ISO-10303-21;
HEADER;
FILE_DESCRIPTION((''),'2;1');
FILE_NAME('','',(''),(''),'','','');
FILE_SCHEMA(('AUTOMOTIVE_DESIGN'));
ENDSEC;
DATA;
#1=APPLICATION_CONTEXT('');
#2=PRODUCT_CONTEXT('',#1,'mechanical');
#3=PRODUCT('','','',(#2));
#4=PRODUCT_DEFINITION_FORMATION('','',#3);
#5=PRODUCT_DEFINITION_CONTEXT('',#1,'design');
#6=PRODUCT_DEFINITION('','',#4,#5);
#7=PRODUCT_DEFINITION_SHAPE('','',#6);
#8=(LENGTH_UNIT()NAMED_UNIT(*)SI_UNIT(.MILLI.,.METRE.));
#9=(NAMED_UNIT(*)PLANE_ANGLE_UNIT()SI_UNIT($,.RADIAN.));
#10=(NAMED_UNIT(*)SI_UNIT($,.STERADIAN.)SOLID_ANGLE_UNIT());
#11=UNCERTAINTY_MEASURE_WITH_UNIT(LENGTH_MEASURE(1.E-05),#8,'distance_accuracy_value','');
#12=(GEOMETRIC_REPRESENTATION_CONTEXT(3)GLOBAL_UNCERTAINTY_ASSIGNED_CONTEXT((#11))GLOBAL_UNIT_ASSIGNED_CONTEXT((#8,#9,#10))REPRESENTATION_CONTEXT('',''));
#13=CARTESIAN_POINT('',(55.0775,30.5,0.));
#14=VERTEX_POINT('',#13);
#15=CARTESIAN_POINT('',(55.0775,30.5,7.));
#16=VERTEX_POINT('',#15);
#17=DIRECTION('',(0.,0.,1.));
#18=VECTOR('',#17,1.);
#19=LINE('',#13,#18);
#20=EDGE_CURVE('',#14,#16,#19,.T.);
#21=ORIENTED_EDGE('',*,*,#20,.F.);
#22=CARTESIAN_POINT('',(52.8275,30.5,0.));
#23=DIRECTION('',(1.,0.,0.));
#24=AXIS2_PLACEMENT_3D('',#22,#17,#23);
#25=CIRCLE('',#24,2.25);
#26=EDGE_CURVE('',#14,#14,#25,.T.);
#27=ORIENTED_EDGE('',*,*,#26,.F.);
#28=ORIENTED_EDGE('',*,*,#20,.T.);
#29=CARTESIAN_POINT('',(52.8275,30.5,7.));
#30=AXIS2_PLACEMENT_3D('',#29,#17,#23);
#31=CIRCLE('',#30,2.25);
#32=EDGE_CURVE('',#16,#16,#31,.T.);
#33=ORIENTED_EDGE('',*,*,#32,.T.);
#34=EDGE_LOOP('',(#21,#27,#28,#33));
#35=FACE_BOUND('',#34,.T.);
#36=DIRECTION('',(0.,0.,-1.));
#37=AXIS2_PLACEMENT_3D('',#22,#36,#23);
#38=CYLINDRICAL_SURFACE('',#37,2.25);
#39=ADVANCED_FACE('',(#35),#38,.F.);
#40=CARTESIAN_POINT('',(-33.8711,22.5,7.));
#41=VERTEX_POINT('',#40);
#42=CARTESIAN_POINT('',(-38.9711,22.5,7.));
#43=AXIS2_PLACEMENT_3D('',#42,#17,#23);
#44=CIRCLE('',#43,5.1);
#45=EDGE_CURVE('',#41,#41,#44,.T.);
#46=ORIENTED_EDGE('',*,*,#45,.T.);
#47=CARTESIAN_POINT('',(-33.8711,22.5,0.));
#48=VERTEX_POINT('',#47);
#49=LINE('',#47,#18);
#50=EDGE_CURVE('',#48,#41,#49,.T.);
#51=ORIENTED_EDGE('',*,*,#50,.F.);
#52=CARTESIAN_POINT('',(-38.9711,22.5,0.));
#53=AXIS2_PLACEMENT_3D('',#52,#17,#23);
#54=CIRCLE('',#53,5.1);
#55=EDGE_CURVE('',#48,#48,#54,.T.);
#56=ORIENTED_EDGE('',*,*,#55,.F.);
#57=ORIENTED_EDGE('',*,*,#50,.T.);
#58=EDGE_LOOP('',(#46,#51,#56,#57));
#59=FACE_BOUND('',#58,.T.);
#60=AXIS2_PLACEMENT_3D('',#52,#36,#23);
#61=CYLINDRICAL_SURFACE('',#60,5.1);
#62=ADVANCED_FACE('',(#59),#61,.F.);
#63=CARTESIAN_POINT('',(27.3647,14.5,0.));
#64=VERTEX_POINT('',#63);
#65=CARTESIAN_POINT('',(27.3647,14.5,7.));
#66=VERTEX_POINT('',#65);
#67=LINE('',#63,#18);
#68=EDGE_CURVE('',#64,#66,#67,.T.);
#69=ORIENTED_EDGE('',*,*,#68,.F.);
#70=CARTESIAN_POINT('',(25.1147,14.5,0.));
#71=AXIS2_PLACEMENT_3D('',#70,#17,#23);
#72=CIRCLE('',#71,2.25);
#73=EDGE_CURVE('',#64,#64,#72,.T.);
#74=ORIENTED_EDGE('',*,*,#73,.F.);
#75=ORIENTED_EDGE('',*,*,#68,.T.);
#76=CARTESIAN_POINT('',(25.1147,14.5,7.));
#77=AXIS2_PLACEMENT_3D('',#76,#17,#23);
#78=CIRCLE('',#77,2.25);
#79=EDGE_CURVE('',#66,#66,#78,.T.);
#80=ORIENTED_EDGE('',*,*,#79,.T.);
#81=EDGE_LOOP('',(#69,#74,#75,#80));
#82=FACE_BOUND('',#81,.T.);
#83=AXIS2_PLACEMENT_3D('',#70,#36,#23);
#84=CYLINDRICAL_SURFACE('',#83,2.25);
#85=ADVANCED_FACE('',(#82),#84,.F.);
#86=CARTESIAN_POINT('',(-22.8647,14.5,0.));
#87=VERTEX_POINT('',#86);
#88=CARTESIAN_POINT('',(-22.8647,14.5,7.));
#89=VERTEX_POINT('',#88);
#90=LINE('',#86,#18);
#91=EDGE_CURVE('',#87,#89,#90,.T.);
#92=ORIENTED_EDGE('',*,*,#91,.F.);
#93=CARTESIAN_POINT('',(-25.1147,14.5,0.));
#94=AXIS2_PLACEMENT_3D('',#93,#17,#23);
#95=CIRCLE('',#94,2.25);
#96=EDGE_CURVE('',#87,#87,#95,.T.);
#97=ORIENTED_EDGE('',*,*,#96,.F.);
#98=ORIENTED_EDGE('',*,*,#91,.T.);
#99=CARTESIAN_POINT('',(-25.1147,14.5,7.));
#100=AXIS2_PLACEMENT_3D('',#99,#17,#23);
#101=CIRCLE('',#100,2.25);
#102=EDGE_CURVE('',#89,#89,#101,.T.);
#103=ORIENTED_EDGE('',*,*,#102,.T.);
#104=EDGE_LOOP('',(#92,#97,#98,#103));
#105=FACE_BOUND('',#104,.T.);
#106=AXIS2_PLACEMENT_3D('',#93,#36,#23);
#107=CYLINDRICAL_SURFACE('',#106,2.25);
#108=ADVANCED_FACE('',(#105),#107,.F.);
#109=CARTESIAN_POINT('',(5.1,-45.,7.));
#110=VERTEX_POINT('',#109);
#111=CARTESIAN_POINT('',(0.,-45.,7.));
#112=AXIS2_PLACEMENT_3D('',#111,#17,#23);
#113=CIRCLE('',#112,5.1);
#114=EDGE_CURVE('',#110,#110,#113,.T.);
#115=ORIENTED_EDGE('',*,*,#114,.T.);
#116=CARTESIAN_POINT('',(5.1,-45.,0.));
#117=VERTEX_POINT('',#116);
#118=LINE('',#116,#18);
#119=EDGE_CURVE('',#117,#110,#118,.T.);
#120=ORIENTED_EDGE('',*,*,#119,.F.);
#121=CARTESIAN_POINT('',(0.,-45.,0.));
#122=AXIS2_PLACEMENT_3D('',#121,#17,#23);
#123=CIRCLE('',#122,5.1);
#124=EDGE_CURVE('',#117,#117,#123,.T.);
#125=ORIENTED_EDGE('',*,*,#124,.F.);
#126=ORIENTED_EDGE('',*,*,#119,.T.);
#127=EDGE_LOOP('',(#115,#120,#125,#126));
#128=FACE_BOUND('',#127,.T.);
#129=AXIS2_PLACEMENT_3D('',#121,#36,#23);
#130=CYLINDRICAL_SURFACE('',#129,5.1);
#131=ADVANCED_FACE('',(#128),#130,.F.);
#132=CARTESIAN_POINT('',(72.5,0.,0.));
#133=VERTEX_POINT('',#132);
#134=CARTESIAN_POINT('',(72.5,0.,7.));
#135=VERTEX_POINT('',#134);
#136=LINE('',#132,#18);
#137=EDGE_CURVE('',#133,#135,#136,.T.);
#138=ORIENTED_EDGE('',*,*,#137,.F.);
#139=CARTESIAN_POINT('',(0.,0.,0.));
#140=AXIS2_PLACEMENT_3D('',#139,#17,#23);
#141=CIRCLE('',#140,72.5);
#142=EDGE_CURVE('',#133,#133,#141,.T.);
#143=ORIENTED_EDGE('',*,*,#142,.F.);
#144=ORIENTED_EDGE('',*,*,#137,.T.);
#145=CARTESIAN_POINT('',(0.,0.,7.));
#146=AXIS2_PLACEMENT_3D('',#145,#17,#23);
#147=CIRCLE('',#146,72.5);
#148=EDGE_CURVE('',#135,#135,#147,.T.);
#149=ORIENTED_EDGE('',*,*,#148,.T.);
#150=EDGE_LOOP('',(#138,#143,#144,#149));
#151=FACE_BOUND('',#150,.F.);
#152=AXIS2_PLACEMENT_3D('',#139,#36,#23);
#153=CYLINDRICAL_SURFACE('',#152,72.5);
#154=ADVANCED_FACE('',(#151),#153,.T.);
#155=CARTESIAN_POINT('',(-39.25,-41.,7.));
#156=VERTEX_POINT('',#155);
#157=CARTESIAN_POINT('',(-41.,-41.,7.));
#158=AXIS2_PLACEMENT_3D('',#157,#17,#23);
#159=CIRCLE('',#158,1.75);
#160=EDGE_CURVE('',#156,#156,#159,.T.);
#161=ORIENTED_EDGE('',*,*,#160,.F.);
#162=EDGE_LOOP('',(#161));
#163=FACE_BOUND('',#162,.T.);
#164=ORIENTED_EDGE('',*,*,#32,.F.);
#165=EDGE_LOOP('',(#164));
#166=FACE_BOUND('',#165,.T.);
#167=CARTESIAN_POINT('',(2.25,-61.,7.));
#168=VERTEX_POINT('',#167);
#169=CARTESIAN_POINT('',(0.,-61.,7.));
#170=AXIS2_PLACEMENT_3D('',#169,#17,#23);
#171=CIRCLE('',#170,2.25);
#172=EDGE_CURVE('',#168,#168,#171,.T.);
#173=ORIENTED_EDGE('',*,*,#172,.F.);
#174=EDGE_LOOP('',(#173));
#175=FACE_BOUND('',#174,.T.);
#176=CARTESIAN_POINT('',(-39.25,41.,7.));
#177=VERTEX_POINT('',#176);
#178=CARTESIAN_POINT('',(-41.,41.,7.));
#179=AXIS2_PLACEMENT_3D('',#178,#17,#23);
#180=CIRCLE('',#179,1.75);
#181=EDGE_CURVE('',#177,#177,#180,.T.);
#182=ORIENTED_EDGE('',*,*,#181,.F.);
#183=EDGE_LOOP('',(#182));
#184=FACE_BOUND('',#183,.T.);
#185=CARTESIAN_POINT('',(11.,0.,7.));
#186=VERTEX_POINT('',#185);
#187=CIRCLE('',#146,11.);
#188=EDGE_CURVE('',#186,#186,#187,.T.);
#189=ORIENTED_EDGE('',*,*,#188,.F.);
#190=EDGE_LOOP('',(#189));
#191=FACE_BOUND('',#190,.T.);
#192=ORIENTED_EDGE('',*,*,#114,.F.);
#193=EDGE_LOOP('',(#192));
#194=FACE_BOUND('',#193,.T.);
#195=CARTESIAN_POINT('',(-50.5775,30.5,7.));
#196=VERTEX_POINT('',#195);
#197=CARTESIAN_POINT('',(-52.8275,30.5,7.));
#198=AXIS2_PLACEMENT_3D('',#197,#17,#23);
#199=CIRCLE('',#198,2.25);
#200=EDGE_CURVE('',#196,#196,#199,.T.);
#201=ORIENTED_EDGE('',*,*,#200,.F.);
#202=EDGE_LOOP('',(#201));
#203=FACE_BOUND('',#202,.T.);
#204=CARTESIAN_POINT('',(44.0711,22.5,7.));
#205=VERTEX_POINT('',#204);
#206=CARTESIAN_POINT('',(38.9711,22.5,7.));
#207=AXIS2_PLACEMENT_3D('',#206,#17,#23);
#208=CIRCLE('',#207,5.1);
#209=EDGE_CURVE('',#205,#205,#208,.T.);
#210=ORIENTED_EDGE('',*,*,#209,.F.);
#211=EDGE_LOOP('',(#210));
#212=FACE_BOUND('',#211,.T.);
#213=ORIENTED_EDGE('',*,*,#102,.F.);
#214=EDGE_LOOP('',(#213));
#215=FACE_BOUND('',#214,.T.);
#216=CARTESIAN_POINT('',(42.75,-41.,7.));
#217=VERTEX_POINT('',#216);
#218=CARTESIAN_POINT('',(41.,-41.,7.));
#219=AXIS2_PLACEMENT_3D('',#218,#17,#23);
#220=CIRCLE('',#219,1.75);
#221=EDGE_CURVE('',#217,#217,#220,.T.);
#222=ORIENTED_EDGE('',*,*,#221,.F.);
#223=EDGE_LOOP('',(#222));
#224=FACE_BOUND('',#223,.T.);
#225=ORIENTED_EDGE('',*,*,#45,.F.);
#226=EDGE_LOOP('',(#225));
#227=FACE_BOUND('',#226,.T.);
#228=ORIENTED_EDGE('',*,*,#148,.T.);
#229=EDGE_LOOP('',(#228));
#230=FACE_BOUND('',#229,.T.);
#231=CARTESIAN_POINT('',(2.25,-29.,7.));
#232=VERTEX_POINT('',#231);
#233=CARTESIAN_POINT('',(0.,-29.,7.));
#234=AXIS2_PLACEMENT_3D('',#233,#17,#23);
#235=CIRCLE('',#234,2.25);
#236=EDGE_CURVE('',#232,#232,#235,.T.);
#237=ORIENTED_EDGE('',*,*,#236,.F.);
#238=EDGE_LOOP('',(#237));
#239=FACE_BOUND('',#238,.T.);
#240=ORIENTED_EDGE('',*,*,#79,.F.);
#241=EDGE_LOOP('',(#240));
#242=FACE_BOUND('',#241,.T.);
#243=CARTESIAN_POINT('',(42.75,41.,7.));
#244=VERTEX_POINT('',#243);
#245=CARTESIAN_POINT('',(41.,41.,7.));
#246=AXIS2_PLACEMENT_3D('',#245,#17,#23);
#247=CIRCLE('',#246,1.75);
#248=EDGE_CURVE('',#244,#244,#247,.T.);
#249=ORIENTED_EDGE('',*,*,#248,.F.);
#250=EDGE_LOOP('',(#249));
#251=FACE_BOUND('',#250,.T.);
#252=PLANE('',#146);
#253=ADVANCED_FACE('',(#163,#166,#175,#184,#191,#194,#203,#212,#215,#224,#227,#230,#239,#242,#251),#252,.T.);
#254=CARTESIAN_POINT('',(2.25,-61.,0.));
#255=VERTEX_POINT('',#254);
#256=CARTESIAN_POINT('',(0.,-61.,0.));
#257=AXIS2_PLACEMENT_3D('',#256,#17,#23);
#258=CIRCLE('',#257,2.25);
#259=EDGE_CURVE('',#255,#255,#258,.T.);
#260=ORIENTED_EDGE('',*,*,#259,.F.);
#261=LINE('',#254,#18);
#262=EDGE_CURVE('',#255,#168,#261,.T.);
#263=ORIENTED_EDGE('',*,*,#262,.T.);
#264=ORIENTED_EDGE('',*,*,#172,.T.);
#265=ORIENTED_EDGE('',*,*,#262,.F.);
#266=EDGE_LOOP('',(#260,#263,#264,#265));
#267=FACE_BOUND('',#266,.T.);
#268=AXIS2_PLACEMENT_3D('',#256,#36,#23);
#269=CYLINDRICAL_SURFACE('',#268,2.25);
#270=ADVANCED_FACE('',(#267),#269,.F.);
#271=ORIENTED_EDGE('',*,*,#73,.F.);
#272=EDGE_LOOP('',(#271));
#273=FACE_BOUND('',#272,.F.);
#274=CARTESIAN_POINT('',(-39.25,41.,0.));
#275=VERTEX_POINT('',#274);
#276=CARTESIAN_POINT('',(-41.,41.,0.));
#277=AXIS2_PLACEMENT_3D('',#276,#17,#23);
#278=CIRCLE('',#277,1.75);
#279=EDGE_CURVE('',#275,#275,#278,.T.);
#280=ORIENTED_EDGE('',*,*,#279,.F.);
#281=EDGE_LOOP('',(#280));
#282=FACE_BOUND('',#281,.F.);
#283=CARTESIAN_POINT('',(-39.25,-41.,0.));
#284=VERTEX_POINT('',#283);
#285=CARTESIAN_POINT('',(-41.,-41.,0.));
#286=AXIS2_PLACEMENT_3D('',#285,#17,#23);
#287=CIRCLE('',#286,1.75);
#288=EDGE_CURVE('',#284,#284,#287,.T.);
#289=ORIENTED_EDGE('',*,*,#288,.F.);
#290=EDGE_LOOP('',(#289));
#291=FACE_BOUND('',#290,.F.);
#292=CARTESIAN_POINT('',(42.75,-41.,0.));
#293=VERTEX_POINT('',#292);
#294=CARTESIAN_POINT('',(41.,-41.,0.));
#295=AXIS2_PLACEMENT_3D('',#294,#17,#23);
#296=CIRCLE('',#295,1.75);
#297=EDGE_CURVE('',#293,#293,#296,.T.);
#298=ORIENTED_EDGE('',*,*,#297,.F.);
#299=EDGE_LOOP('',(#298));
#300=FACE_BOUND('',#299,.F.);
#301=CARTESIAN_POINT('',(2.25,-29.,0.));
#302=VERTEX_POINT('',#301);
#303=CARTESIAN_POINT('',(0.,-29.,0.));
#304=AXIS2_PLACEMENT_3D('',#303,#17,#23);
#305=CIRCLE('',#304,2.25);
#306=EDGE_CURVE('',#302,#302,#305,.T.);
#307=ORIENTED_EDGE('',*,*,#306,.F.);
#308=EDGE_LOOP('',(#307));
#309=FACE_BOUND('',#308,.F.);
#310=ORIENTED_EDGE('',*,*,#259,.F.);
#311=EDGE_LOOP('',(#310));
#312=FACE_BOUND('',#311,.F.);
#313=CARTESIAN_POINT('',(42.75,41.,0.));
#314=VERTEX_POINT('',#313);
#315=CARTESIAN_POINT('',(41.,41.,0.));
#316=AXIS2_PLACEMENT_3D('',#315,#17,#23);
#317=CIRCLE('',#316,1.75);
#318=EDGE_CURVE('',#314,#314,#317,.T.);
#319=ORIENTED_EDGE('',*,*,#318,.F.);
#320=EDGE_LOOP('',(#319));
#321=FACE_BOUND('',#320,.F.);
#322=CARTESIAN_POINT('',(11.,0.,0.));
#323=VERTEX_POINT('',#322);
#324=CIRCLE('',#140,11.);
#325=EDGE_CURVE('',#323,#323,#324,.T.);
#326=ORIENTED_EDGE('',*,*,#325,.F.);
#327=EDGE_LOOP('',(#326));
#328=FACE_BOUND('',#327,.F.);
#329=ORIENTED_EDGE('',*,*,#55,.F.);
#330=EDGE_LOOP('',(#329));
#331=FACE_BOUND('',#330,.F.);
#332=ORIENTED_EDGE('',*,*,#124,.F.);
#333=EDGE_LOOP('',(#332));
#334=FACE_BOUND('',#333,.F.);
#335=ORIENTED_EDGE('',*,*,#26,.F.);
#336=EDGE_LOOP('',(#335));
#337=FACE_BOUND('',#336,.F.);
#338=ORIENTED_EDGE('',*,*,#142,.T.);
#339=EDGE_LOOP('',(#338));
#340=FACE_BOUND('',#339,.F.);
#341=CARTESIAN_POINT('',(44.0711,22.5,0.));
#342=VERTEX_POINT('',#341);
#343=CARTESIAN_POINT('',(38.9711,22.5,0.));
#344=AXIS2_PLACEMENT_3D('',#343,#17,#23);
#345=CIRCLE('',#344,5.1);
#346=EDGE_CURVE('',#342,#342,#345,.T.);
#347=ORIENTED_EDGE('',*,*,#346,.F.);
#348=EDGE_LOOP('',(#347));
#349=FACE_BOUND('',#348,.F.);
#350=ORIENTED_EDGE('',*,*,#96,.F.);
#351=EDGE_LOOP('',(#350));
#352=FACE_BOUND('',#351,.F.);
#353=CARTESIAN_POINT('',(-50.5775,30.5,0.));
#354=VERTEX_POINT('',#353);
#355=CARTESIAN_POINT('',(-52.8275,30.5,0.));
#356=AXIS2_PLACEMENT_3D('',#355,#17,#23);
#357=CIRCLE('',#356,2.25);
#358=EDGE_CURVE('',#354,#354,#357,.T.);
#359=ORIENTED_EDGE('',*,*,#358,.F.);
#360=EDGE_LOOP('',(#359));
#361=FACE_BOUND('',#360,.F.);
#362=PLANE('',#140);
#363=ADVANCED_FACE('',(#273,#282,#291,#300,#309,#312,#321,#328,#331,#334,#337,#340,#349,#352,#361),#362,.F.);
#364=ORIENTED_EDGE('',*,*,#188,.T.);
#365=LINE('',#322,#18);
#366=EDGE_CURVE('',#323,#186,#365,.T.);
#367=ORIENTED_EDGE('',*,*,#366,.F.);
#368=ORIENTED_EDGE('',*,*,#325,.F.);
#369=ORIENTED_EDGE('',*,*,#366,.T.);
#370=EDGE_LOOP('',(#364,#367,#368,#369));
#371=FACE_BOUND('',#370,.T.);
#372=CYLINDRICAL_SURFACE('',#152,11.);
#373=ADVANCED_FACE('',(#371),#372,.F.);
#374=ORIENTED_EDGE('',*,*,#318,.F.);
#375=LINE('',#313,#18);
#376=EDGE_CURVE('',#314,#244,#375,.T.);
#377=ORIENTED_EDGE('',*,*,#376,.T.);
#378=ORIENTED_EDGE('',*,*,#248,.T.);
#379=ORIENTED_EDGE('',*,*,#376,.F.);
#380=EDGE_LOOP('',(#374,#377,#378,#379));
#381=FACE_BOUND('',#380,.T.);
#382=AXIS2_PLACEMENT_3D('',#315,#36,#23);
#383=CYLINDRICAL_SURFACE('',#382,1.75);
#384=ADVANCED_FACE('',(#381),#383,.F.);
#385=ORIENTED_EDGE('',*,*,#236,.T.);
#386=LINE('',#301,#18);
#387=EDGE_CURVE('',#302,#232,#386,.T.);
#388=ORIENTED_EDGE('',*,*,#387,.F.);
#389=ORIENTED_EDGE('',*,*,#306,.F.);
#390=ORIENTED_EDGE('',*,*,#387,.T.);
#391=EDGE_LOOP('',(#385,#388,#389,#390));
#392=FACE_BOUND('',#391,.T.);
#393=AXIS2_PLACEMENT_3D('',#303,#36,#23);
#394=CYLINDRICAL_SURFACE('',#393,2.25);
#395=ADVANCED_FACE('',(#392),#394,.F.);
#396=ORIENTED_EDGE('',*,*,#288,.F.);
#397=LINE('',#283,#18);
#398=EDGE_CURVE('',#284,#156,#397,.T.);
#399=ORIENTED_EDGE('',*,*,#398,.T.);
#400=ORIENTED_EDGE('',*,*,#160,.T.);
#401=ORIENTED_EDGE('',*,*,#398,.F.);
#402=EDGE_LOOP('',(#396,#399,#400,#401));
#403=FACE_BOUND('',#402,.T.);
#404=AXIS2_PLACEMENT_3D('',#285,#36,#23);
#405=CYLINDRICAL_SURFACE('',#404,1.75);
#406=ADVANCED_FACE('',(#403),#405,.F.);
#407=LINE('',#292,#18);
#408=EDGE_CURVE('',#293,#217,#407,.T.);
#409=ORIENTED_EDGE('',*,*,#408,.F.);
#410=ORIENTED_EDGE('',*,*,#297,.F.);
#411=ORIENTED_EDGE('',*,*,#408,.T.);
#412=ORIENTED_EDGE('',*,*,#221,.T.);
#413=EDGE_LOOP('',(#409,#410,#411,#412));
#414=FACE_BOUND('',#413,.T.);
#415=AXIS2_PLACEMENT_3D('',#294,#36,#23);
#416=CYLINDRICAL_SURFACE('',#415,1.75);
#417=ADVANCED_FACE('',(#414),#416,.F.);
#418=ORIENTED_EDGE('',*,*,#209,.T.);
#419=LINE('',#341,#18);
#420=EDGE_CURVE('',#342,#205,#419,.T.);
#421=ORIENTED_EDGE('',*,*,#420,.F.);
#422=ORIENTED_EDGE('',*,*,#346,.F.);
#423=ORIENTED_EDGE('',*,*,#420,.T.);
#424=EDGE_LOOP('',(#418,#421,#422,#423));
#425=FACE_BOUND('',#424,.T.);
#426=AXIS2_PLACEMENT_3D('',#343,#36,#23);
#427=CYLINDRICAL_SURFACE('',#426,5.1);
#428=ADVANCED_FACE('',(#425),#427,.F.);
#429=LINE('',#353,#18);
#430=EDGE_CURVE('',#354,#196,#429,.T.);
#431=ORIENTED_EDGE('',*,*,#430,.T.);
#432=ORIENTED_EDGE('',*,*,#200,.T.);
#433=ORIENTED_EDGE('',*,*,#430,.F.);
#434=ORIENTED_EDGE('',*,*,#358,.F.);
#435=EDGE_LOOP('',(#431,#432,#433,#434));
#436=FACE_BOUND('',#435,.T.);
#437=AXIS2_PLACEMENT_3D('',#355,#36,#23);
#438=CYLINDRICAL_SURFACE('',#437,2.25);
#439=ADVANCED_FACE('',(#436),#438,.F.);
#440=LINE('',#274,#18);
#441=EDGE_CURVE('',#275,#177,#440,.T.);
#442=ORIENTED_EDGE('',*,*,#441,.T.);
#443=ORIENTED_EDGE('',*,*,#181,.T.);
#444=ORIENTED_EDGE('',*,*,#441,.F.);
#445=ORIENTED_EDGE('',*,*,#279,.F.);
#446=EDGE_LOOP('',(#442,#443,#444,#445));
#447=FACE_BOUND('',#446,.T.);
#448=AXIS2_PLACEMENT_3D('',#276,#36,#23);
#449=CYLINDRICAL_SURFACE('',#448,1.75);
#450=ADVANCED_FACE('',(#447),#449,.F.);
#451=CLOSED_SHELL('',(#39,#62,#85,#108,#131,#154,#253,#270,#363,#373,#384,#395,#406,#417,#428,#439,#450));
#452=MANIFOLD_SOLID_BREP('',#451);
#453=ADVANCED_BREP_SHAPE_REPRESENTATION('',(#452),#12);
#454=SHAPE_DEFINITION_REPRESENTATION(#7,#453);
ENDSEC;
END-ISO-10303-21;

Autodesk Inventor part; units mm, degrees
ref_plane "YZ Plane" through (0, 0, 0) normal (1, 0, 0) x (0, 1, 0)
ref_plane "XZ Plane" through (0, 0, 0) normal (0, 1, 0) x (-1, 0, 0)
ref_plane "XY Plane" through (0, 0, 0) normal (0, 0, 1) x (1, 0, 0)
sketch "Sketch1" plane through (0, 0, 0) normal (0, 0, 1) x (1, 0, 0)
  circle A0 centre (0, 0) radius 72.5
  line L0 (-41, 0) -> (41, 0) construction
  line L1 (0, -41) -> (0, 41) construction
  line L2 (0, 41) -> (41, 41) construction
  line L3 (41, 41) -> (41, 0) construction
  circle A1 centre (41, 41) radius 1.75
  circle A2 centre (41, -41) radius 1.75
  circle A3 centre (-41, 41) radius 1.75
  circle A4 centre (-41, -41) radius 1.75
  circle A5 centre (41, 41) radius 5 construction
  circle A6 centre (41, -41) radius 5 construction
  circle A7 centre (-41, -41) radius 5 construction
  circle A8 centre (-41, 41) radius 5 construction
  line L4 (0, 0) -> (0, -45) construction
  circle A9 centre (0, 0) radius 45 construction
  circle A10 centre (0, 0) radius 11
  circle A11 centre (0, -45) radius 5.1
  line L5 (0, -61) -> (0, -29) construction
  circle A12 centre (0, -61) radius 2.25
  circle A13 centre (0, -29) radius 2.25
  circle A14 centre (52.8275, 30.5) radius 2.25
  line L6 (52.8275, 30.5) -> (25.1147, 14.5) construction
  circle A15 centre (38.9711, 22.5) radius 5.1
  circle A16 centre (25.1147, 14.5) radius 2.25
  circle A17 centre (-52.8275, 30.5) radius 2.25
  line L7 (-52.8275, 30.5) -> (-25.1147, 14.5) construction
  circle A18 centre (-38.9711, 22.5) radius 5.1
  circle A19 centre (-25.1147, 14.5) radius 2.25
  point P0 (38.9711, 22.5)
  dimension "d0" = 145
  dimension "L_furos" = 82
  dimension "d2" = 82
  dimension "d3" = 3.5
  dimension "d4" = 10
  dimension "d5" = 45
  dimension "d24" = 360
  dimension "d49" = 22
  dimension "d52" = 10.2
  dimension "d54" = 32
  dimension "d55" = 4.5
  dimension "d56" = 4.5
  dimension "d59" = 360
extrude "Extrusion1" add sketch "Sketch1" along normal blind 7
equation "\"d2\" = L_furos"
equation "\"d21\" = 5.5"
equation "\"d39\" = 5.5"
properties part number "SupBase"
